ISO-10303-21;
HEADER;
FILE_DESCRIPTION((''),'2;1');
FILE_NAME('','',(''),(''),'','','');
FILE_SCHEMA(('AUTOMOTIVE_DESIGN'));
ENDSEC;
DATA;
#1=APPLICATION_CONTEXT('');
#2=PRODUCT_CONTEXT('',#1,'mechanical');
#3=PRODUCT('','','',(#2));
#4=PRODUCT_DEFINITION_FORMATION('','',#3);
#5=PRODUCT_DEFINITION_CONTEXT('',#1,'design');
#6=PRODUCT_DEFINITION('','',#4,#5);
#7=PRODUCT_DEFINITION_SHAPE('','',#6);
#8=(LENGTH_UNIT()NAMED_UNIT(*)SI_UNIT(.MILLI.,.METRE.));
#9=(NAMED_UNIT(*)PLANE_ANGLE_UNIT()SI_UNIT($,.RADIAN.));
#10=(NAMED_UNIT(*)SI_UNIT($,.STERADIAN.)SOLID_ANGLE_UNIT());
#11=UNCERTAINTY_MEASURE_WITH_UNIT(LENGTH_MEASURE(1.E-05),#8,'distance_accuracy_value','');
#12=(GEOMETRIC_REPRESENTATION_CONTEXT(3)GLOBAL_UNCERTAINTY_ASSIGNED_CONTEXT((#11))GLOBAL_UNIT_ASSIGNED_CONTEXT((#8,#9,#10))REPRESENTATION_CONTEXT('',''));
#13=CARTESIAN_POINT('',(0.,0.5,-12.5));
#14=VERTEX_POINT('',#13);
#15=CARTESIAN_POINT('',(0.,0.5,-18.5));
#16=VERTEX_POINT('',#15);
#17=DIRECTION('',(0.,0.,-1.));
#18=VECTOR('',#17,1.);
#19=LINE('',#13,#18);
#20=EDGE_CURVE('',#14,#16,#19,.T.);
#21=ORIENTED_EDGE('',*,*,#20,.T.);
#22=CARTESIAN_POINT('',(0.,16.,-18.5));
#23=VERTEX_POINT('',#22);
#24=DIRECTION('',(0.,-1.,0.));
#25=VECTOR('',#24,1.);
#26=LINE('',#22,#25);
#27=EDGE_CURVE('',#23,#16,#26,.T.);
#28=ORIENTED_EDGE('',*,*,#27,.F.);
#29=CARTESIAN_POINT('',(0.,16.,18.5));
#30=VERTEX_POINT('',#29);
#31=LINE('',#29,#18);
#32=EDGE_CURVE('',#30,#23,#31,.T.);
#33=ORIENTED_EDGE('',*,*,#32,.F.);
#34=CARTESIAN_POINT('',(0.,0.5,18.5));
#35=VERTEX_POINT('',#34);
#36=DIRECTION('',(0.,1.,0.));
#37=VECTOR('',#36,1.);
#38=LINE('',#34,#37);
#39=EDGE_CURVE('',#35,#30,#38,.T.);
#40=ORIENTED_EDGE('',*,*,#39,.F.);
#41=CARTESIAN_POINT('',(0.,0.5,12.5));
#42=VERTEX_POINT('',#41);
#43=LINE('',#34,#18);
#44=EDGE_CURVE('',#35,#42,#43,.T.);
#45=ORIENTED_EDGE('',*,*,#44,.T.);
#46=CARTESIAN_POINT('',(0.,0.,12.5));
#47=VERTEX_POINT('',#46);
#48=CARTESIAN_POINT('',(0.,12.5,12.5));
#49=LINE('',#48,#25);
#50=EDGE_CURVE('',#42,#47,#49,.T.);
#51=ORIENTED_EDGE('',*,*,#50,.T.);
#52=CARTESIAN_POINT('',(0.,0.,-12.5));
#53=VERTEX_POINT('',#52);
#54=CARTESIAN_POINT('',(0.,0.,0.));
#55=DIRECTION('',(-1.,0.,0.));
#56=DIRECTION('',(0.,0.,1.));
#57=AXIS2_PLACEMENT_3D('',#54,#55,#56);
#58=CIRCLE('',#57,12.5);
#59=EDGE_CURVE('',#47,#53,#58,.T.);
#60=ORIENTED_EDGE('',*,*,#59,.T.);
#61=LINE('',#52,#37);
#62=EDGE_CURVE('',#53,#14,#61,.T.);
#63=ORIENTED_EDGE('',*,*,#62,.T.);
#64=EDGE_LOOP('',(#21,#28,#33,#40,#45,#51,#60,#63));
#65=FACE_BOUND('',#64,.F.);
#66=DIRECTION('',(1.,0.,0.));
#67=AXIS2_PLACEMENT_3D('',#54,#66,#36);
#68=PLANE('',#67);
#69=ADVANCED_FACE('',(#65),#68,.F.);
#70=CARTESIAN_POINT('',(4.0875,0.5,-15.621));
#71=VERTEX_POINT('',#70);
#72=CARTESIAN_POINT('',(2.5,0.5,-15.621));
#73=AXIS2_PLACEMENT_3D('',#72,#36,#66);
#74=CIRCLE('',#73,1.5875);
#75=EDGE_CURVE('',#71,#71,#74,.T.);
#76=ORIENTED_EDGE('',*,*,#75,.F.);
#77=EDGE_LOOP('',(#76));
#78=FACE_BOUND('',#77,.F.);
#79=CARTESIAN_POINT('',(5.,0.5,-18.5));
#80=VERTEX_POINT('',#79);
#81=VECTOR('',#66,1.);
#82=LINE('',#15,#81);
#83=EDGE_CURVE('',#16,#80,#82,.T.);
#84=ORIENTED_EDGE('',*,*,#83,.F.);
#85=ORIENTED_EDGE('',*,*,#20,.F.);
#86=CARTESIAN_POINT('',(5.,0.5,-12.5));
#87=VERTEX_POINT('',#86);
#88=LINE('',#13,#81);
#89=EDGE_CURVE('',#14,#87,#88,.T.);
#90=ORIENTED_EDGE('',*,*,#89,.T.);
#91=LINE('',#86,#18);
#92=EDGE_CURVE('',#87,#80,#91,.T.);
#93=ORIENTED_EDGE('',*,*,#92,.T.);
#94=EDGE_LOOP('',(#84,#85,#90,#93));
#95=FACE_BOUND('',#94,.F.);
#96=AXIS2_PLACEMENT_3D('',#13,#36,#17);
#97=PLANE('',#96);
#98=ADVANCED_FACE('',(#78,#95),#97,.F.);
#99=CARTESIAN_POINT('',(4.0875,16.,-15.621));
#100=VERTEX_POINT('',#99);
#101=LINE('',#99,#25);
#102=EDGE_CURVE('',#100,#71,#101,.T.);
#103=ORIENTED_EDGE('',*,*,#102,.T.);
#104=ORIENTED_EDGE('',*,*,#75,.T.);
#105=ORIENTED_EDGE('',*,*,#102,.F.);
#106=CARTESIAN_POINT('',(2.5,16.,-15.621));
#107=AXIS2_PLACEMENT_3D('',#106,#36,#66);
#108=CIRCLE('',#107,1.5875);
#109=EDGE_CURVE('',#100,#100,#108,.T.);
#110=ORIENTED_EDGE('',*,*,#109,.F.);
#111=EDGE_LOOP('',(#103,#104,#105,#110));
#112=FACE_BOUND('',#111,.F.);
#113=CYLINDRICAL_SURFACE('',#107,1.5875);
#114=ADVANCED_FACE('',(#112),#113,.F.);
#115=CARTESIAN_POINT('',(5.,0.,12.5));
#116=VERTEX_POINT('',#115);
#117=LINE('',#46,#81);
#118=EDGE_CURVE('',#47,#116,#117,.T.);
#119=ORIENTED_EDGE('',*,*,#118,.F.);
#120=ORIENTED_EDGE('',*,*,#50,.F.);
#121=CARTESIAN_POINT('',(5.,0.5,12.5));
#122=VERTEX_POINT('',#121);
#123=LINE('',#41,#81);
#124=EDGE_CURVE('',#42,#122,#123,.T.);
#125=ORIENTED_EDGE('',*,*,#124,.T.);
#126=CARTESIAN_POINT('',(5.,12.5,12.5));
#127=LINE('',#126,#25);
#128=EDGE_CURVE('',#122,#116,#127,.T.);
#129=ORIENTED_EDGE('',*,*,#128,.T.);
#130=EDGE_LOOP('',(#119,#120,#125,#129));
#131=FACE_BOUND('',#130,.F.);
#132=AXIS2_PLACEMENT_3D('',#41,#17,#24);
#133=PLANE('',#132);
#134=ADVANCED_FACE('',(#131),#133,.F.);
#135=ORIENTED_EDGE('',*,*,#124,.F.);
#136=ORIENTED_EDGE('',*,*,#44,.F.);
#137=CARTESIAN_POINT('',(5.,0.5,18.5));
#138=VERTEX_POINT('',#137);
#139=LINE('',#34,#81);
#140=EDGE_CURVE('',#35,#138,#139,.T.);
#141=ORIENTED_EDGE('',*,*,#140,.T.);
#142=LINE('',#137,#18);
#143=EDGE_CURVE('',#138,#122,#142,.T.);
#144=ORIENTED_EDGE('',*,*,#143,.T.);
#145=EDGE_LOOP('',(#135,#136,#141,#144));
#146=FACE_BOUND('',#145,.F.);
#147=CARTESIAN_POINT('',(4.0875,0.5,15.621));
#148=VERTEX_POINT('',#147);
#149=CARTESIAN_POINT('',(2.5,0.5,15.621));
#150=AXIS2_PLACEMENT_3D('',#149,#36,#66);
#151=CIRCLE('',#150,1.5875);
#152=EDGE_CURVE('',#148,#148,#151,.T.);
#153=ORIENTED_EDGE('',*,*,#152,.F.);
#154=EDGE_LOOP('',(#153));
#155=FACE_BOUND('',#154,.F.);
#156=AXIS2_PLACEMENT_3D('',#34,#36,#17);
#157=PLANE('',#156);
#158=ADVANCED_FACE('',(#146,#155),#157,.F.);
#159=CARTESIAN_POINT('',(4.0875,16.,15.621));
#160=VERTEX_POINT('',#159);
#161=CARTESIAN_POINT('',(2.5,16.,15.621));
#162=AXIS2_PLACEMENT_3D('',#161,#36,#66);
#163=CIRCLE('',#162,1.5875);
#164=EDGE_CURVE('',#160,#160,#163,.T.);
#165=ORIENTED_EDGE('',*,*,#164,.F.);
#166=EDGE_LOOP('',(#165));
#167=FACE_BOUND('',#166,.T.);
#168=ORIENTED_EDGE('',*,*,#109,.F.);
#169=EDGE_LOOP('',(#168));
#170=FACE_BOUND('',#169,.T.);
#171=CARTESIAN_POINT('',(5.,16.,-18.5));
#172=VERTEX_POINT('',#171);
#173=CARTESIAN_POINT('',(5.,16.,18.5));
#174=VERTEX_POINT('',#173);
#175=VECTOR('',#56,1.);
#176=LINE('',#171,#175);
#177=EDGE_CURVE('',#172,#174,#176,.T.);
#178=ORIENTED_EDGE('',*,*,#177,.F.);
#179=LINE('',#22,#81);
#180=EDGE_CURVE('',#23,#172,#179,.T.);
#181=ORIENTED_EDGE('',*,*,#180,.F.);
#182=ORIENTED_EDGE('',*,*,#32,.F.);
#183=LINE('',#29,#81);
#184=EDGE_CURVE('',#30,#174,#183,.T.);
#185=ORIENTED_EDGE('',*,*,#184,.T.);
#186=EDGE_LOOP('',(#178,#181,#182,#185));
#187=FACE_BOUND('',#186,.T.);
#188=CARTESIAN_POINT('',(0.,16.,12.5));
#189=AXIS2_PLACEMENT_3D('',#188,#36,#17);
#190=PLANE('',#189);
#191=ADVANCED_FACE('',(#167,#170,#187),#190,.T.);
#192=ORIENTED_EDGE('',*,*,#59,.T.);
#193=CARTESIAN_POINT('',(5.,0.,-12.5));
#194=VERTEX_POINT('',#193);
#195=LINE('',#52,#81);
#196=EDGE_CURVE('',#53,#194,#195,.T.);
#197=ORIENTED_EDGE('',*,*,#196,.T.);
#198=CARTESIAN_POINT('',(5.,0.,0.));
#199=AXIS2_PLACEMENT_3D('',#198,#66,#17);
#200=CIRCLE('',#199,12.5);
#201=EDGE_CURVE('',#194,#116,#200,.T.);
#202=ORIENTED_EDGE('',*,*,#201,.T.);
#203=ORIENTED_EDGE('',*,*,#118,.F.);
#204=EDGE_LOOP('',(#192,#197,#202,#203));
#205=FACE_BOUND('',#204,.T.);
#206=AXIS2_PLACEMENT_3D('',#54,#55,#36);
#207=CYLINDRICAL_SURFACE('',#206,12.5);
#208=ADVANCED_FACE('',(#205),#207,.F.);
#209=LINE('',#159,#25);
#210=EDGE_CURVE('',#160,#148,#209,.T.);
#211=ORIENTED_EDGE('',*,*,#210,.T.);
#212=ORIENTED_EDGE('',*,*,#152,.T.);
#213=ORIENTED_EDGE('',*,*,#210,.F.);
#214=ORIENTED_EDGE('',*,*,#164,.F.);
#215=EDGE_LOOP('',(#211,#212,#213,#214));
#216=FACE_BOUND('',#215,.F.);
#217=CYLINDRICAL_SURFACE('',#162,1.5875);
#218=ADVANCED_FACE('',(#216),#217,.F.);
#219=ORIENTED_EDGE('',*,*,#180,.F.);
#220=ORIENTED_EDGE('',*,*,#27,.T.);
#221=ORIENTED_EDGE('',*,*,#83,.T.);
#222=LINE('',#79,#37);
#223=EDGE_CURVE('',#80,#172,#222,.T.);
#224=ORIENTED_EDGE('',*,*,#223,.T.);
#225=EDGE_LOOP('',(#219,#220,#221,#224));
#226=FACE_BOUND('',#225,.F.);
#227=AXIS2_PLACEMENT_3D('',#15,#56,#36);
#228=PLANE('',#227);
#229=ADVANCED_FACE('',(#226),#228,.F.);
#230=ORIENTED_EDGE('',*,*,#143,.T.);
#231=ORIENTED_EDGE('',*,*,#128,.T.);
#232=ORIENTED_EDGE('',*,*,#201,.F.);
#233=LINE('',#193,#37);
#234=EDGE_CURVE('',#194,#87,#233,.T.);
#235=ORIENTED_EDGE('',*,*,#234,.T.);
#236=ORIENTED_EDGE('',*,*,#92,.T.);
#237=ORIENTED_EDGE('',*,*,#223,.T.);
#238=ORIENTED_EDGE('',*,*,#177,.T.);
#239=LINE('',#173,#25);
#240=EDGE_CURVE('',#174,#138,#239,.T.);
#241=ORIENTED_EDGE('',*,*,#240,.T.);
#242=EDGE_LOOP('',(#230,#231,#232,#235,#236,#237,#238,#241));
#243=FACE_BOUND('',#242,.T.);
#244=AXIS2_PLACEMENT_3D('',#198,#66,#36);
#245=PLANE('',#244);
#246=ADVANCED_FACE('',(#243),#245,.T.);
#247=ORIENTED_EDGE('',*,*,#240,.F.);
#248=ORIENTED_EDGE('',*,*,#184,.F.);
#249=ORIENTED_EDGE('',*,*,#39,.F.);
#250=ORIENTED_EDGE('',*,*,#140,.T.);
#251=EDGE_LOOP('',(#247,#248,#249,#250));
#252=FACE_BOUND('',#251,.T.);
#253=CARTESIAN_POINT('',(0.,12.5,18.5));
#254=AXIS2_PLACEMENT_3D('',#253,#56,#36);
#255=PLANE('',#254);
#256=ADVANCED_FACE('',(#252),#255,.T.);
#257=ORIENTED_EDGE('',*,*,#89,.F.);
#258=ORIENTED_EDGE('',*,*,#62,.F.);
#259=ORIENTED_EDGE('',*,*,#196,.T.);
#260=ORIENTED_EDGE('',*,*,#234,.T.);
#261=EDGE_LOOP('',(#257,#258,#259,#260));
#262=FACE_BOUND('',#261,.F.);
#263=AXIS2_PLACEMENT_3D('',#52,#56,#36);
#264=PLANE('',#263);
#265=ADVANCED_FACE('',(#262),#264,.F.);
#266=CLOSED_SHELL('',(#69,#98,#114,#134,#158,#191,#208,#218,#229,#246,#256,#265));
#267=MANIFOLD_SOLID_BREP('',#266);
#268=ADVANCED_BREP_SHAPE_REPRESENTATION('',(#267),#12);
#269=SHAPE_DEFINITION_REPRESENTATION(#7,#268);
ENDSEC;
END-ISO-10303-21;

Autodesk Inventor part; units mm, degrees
ref_plane "YZ Plane" through (0, 0, 0) normal (1, 0, 0) x (0, 1, 0)
ref_plane "XZ Plane" through (0, 0, 0) normal (0, 1, 0) x (-1, 0, 0)
ref_plane "XY Plane" through (0, 0, 0) normal (0, 0, 1) x (1, 0, 0)
sketch "Sketch1" plane through (0, 0, 0) normal (1, 0, 0) x (0, 1, 0)
  circle A0 centre (0, 0) radius 12.5
  line L0 (0, 12.5) -> (0, -12.5)
  line L1 (0, -12.5) -> (12.5, -12.5)
  line L2 (12.5, -12.5) -> (12.5, 12.5)
  line L3 (12.5, 12.5) -> (0, 12.5)
  line L4 (12.5, 12.5) -> (16, 12.5)
  line L5 (16, 12.5) -> (16, -12.5)
  line L6 (16, -12.5) -> (12.5, -12.5)
  line L7 (12.5, -12.5) -> (12.5, 12.5)
  line L8 (16, 12.5) -> (12.5, 12.5)
  line L9 (12.5, 12.5) -> (12.5, 18.5)
  line L10 (12.5, 18.5) -> (16, 18.5)
  line L11 (16, 18.5) -> (16, 12.5)
  line L12 (16, -12.5) -> (12.5, -12.5)
  line L13 (12.5, -12.5) -> (12.5, -18.5)
  line L14 (12.5, -18.5) -> (16, -18.5)
  line L15 (16, -18.5) -> (16, -12.5)
  line L16 (12.5, 18.5) -> (12.5, 12.5)
  line L17 (12.5, -18.5) -> (12.5, -12.5)
  line L18 (16, 18.5) -> (0.5, 18.5)
  line L19 (0.5, 18.5) -> (0.5, 12.5)
  line L20 (0.5, 12.5) -> (16, 12.5)
  line L21 (16, 12.5) -> (16, 18.5)
  line L22 (16, -12.5) -> (0.5, -12.5)
  line L23 (0.5, -12.5) -> (0.5, -18.5)
  line L24 (0.5, -18.5) -> (16, -18.5)
  line L25 (16, -18.5) -> (16, -12.5)
  point P0 (12.5, 0)
  dimension "d0" = 25
  dimension "d1" = 3.5
  dimension "d2" = 25
  dimension "d3" = 6
  dimension "d4" = 6
  dimension "d15" = 15.5
  dimension "d16" = 15.5
extrude "Extrusion3" add sketch "Sketch1" along normal blind 5 contours L2 L1 A0 | L2 L4 L5 L6 | A0 L3 L2 | L13 L24 L23 L1 | L6 L15 L14 L13 | L9 L10 L11 L4 | L3 L19 L18 L9
sketch "Sketch4" plane through (0, 16, 18.5) normal (0, 1, 0) x (1, 0, 0)
  line L0 (0, 37) -> (5, 37)
  line L1 (0, 0) -> (5, 0)
  circle A0 centre (2.5, 2.879) radius 1.5875
  circle A1 centre (2.5, 34.121) radius 1.5875
  line L2 (0, 37) -> (0, 0) projected
  line L3 (5, 37) -> (5, 0) projected
  line L4 (0, 18.5) -> (5, 18.5)
  dimension "d23" = 3.175
  dimension "d24" = 3.175
  dimension "d27" = 2.5
  dimension "d28" = 15.621
  dimension "d29" = 15.621
extrude "Extrusion5" cut sketch "Sketch4" against normal blind 20 contours A0 | A1
properties part number "TubeClamp"
